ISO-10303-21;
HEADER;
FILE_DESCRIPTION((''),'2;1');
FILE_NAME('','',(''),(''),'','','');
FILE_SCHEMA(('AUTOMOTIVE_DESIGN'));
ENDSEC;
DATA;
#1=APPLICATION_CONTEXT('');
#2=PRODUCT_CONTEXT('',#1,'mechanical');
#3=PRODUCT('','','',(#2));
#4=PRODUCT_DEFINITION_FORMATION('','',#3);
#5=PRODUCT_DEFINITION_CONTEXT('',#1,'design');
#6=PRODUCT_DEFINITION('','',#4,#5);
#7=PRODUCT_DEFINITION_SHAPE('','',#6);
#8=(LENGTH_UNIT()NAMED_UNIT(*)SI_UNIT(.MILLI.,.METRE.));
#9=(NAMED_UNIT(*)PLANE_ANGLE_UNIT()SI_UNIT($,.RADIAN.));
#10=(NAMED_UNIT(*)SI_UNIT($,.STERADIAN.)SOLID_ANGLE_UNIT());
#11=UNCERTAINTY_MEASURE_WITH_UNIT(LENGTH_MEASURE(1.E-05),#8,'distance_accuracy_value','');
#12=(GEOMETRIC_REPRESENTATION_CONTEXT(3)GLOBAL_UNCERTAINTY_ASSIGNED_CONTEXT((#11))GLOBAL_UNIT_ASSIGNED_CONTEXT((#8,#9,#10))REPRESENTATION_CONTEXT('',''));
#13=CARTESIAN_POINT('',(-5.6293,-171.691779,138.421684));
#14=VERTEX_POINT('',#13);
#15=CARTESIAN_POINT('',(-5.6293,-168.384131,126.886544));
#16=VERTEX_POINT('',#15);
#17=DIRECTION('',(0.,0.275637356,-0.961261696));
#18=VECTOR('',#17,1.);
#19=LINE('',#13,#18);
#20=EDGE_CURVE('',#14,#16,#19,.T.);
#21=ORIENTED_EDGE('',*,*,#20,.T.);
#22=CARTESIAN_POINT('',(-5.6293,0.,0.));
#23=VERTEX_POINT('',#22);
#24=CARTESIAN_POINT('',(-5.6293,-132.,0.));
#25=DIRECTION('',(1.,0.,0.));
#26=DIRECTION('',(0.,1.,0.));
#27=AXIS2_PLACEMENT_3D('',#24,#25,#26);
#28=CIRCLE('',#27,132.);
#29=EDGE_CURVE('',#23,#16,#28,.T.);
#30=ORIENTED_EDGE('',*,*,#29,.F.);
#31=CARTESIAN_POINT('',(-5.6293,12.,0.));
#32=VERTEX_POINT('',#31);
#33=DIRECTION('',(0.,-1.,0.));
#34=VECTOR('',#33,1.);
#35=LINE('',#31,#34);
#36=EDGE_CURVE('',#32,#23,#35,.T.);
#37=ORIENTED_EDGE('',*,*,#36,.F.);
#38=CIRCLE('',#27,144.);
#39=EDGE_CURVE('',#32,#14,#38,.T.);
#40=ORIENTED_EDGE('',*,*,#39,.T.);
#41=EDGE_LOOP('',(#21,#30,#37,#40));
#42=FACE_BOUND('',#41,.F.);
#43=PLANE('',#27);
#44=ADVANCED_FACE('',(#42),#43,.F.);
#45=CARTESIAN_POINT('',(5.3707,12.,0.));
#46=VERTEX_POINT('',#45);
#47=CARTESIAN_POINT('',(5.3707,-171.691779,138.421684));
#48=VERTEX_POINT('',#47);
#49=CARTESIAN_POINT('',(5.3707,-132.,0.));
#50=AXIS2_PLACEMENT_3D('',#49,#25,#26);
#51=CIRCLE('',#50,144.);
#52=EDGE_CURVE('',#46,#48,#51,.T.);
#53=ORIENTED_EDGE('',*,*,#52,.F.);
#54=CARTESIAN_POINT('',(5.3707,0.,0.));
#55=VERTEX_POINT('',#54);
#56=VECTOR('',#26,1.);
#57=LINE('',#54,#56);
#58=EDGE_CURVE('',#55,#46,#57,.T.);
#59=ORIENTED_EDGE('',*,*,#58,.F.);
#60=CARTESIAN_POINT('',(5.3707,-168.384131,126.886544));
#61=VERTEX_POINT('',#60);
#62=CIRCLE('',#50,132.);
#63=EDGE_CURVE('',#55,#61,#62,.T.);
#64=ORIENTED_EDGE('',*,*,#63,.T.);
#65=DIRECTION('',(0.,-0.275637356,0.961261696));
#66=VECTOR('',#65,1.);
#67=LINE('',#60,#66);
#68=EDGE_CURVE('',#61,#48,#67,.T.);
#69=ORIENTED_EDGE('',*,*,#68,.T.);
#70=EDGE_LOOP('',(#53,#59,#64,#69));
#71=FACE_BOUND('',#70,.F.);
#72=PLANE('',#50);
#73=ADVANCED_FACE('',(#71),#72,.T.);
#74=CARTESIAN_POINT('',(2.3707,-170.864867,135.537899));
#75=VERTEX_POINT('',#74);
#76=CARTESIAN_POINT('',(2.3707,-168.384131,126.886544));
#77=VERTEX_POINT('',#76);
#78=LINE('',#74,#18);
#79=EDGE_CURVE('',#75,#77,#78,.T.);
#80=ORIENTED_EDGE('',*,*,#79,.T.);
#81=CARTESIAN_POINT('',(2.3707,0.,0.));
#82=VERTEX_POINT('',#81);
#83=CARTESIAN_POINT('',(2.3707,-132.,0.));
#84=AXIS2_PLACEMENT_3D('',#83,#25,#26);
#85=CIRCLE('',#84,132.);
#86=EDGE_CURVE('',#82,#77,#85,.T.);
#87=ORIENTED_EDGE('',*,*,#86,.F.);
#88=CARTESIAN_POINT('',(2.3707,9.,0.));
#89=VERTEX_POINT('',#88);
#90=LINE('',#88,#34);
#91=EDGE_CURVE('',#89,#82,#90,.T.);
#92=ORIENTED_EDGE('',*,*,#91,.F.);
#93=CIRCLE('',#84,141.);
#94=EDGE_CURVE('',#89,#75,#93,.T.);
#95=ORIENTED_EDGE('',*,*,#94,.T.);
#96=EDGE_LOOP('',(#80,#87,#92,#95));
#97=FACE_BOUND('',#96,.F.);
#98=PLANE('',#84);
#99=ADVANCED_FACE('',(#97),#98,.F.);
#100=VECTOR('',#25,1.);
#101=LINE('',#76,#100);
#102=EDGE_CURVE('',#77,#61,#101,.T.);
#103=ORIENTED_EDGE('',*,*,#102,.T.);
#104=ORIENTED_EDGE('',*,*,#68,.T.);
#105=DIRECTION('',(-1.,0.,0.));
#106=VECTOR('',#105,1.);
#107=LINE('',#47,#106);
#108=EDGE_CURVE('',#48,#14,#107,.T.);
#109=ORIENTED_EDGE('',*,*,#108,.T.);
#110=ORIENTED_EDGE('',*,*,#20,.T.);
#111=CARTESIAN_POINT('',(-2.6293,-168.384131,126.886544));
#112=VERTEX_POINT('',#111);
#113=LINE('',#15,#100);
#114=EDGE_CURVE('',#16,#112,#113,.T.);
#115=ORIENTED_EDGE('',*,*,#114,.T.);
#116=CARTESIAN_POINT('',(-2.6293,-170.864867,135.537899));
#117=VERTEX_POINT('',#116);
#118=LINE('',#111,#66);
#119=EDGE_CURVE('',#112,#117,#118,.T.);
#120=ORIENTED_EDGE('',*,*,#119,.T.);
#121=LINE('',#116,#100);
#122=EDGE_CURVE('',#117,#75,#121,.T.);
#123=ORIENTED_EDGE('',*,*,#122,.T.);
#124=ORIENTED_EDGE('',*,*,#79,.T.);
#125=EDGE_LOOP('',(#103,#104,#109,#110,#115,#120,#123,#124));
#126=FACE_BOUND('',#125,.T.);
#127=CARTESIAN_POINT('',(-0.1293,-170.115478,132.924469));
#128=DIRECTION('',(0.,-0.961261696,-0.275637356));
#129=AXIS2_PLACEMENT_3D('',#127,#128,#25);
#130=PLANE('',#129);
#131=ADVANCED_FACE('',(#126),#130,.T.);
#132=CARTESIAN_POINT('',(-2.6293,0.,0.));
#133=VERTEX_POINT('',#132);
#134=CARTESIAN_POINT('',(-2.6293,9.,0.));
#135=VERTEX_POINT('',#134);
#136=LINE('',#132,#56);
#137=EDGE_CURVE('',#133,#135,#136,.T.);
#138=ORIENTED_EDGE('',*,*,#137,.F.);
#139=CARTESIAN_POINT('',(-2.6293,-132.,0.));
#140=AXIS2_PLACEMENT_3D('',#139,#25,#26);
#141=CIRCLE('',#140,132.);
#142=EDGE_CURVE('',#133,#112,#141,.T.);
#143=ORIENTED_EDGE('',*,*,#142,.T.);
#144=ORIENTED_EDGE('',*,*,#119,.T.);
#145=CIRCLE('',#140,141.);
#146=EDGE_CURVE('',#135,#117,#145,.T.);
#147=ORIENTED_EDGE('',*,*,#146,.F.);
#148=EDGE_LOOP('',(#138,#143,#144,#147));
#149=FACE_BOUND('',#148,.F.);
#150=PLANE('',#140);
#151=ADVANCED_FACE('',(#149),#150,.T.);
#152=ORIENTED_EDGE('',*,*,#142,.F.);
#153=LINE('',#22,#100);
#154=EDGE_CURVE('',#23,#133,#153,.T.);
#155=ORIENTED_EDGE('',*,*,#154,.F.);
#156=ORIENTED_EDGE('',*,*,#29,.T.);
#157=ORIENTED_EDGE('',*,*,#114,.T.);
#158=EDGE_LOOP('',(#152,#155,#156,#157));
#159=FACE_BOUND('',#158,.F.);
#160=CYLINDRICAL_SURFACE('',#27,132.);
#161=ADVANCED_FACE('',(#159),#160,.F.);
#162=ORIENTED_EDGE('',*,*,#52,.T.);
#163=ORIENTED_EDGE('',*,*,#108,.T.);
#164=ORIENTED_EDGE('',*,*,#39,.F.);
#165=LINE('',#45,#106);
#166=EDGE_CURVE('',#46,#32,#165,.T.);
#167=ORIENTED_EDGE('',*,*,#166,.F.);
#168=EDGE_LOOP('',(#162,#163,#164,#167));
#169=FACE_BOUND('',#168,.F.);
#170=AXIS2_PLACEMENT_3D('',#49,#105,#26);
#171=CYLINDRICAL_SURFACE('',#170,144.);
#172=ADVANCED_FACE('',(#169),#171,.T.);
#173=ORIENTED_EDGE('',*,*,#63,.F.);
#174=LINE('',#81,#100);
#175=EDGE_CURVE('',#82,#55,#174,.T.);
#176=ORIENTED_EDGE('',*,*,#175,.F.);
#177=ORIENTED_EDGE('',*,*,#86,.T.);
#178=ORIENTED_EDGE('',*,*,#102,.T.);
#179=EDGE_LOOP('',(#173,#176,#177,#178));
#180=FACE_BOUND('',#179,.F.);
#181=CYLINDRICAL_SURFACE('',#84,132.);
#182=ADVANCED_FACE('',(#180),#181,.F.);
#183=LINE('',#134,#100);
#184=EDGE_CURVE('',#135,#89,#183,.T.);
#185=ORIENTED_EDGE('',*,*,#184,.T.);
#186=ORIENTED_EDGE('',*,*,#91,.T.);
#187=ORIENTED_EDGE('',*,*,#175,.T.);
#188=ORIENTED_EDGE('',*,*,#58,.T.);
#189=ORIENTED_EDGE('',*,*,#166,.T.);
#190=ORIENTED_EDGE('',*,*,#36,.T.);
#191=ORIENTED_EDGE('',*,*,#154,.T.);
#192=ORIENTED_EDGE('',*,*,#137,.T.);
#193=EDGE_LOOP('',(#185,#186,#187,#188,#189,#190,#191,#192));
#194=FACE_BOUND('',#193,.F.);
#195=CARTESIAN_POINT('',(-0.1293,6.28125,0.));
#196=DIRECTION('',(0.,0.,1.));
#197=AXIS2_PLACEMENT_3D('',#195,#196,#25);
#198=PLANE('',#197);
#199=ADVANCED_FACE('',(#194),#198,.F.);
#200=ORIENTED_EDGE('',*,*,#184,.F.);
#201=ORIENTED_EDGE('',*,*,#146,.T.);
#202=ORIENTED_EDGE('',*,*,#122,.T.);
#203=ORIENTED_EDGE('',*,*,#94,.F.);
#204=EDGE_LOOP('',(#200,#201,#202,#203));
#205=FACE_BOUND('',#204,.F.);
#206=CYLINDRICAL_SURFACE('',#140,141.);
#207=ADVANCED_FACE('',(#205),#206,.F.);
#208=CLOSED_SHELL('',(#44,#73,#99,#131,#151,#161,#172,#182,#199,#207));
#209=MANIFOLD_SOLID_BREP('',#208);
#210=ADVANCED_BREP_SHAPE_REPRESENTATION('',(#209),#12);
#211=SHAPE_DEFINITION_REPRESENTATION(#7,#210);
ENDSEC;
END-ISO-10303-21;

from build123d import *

# Parameters (mm, degrees)
F2_ANGLE = 106


with BuildPart() as f2:
    # F0 (on Top) → F2 (revolve)
    with BuildSketch(Plane.XY):
        Polygon((5.3707003258, 12), (-5.6292996742, 12), (-5.6292996742, 0), (-2.6292996742, 0), (-2.6292996742, 9), (2.3707003258, 9), (2.3707003258, 0), (5.3707003258, 0), align=None)
    revolve(axis=Axis((0, -132, 0), (1, 0, 0)), revolution_arc=F2_ANGLE)


solid = f2.part
